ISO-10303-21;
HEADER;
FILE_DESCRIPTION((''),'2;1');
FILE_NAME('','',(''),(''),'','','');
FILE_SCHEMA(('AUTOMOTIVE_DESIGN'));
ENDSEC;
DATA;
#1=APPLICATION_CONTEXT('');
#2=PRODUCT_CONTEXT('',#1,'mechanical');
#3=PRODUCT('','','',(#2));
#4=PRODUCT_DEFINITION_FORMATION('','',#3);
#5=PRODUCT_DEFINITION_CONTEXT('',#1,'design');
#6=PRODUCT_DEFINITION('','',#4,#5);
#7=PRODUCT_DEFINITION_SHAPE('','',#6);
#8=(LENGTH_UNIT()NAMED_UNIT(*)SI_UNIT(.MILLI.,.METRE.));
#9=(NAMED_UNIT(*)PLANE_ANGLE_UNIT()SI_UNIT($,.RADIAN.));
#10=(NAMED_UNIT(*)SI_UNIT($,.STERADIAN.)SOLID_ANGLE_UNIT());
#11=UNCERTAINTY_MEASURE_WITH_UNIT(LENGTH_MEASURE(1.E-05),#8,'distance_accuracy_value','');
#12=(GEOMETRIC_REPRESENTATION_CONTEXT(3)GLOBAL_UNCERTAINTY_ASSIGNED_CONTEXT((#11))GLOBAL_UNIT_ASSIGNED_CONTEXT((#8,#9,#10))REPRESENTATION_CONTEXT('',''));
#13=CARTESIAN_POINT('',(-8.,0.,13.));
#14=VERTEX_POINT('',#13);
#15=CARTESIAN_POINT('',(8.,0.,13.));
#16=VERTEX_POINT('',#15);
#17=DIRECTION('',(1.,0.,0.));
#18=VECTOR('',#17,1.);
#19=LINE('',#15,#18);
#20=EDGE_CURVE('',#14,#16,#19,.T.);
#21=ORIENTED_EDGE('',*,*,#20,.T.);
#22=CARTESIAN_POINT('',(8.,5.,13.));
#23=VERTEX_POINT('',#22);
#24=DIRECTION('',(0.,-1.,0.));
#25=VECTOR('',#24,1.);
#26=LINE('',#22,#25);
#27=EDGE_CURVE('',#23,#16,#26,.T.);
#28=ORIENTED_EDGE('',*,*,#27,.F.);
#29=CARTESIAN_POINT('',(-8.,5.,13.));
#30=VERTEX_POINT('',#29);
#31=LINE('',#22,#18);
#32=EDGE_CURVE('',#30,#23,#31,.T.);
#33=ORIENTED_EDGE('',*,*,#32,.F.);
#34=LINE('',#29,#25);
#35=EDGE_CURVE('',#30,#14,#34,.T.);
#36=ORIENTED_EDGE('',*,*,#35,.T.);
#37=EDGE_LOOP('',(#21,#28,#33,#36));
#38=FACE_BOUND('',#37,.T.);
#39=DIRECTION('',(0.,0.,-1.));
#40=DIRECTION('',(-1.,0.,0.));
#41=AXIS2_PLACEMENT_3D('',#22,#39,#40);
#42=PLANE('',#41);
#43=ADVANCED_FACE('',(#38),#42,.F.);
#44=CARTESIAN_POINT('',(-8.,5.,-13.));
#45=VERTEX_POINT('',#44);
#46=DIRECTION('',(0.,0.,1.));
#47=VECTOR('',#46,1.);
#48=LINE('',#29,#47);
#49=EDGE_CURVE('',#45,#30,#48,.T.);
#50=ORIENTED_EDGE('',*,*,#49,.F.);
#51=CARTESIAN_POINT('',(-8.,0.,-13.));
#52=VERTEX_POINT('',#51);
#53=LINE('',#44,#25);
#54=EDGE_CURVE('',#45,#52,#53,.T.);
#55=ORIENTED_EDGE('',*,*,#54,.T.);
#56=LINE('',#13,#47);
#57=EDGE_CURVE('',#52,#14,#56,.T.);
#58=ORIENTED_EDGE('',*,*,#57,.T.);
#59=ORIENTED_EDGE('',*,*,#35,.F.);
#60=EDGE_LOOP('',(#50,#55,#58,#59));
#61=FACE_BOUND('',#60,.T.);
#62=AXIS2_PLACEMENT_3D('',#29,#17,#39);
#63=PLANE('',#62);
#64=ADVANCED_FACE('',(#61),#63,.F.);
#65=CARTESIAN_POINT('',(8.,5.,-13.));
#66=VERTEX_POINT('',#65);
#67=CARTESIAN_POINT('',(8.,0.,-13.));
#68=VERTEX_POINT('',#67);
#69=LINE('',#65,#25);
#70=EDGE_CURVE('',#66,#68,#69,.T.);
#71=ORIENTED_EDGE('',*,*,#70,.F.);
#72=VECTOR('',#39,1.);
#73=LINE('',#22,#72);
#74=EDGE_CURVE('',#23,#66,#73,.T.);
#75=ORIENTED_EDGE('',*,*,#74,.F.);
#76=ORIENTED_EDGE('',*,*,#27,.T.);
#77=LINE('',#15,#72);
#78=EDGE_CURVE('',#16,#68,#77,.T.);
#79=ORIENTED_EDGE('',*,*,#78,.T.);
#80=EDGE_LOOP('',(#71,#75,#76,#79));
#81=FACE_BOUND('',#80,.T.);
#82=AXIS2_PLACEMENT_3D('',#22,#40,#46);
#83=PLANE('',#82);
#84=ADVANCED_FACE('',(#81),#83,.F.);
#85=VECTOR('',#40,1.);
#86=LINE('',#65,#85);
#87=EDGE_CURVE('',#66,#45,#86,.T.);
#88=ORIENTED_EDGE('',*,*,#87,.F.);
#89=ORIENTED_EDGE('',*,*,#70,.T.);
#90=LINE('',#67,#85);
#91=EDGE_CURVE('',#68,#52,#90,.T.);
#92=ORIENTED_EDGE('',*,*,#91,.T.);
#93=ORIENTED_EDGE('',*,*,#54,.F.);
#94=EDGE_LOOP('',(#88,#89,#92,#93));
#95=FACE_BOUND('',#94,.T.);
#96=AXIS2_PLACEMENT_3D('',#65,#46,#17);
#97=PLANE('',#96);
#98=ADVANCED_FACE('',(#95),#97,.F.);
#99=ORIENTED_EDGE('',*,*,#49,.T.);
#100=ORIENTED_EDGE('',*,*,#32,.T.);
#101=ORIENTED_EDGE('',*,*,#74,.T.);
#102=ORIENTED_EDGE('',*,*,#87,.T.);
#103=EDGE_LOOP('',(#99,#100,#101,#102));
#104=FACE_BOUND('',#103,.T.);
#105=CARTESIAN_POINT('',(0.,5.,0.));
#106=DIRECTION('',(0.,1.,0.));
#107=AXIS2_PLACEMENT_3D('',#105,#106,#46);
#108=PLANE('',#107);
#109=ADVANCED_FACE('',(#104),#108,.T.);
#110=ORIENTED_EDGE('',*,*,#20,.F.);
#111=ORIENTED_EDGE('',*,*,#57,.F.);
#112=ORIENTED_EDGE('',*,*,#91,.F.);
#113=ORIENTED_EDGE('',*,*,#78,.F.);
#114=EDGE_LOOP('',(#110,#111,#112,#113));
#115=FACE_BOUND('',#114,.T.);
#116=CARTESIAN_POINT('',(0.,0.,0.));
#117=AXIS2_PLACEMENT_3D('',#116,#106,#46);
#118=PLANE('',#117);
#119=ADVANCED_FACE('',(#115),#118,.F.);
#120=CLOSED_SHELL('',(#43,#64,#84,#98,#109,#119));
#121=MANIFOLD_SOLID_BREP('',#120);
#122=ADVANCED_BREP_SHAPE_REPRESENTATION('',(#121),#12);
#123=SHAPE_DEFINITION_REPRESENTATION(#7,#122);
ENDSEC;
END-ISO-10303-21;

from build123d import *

# Parameters (mm, degrees)
SKETCH_1_W      = 16
SKETCH_1_H      = 26
EXTRUDE_1_DEPTH = 5


with BuildPart() as part:
    # 스케치1 → 보스-돌출1 (new body)
    with BuildSketch(Plane(origin=(0, 0, 0), x_dir=(1, 0, 0), z_dir=(0, 1, 0))):
        Rectangle(SKETCH_1_W, SKETCH_1_H)
    extrude(amount=EXTRUDE_1_DEPTH)


solid = part.part
